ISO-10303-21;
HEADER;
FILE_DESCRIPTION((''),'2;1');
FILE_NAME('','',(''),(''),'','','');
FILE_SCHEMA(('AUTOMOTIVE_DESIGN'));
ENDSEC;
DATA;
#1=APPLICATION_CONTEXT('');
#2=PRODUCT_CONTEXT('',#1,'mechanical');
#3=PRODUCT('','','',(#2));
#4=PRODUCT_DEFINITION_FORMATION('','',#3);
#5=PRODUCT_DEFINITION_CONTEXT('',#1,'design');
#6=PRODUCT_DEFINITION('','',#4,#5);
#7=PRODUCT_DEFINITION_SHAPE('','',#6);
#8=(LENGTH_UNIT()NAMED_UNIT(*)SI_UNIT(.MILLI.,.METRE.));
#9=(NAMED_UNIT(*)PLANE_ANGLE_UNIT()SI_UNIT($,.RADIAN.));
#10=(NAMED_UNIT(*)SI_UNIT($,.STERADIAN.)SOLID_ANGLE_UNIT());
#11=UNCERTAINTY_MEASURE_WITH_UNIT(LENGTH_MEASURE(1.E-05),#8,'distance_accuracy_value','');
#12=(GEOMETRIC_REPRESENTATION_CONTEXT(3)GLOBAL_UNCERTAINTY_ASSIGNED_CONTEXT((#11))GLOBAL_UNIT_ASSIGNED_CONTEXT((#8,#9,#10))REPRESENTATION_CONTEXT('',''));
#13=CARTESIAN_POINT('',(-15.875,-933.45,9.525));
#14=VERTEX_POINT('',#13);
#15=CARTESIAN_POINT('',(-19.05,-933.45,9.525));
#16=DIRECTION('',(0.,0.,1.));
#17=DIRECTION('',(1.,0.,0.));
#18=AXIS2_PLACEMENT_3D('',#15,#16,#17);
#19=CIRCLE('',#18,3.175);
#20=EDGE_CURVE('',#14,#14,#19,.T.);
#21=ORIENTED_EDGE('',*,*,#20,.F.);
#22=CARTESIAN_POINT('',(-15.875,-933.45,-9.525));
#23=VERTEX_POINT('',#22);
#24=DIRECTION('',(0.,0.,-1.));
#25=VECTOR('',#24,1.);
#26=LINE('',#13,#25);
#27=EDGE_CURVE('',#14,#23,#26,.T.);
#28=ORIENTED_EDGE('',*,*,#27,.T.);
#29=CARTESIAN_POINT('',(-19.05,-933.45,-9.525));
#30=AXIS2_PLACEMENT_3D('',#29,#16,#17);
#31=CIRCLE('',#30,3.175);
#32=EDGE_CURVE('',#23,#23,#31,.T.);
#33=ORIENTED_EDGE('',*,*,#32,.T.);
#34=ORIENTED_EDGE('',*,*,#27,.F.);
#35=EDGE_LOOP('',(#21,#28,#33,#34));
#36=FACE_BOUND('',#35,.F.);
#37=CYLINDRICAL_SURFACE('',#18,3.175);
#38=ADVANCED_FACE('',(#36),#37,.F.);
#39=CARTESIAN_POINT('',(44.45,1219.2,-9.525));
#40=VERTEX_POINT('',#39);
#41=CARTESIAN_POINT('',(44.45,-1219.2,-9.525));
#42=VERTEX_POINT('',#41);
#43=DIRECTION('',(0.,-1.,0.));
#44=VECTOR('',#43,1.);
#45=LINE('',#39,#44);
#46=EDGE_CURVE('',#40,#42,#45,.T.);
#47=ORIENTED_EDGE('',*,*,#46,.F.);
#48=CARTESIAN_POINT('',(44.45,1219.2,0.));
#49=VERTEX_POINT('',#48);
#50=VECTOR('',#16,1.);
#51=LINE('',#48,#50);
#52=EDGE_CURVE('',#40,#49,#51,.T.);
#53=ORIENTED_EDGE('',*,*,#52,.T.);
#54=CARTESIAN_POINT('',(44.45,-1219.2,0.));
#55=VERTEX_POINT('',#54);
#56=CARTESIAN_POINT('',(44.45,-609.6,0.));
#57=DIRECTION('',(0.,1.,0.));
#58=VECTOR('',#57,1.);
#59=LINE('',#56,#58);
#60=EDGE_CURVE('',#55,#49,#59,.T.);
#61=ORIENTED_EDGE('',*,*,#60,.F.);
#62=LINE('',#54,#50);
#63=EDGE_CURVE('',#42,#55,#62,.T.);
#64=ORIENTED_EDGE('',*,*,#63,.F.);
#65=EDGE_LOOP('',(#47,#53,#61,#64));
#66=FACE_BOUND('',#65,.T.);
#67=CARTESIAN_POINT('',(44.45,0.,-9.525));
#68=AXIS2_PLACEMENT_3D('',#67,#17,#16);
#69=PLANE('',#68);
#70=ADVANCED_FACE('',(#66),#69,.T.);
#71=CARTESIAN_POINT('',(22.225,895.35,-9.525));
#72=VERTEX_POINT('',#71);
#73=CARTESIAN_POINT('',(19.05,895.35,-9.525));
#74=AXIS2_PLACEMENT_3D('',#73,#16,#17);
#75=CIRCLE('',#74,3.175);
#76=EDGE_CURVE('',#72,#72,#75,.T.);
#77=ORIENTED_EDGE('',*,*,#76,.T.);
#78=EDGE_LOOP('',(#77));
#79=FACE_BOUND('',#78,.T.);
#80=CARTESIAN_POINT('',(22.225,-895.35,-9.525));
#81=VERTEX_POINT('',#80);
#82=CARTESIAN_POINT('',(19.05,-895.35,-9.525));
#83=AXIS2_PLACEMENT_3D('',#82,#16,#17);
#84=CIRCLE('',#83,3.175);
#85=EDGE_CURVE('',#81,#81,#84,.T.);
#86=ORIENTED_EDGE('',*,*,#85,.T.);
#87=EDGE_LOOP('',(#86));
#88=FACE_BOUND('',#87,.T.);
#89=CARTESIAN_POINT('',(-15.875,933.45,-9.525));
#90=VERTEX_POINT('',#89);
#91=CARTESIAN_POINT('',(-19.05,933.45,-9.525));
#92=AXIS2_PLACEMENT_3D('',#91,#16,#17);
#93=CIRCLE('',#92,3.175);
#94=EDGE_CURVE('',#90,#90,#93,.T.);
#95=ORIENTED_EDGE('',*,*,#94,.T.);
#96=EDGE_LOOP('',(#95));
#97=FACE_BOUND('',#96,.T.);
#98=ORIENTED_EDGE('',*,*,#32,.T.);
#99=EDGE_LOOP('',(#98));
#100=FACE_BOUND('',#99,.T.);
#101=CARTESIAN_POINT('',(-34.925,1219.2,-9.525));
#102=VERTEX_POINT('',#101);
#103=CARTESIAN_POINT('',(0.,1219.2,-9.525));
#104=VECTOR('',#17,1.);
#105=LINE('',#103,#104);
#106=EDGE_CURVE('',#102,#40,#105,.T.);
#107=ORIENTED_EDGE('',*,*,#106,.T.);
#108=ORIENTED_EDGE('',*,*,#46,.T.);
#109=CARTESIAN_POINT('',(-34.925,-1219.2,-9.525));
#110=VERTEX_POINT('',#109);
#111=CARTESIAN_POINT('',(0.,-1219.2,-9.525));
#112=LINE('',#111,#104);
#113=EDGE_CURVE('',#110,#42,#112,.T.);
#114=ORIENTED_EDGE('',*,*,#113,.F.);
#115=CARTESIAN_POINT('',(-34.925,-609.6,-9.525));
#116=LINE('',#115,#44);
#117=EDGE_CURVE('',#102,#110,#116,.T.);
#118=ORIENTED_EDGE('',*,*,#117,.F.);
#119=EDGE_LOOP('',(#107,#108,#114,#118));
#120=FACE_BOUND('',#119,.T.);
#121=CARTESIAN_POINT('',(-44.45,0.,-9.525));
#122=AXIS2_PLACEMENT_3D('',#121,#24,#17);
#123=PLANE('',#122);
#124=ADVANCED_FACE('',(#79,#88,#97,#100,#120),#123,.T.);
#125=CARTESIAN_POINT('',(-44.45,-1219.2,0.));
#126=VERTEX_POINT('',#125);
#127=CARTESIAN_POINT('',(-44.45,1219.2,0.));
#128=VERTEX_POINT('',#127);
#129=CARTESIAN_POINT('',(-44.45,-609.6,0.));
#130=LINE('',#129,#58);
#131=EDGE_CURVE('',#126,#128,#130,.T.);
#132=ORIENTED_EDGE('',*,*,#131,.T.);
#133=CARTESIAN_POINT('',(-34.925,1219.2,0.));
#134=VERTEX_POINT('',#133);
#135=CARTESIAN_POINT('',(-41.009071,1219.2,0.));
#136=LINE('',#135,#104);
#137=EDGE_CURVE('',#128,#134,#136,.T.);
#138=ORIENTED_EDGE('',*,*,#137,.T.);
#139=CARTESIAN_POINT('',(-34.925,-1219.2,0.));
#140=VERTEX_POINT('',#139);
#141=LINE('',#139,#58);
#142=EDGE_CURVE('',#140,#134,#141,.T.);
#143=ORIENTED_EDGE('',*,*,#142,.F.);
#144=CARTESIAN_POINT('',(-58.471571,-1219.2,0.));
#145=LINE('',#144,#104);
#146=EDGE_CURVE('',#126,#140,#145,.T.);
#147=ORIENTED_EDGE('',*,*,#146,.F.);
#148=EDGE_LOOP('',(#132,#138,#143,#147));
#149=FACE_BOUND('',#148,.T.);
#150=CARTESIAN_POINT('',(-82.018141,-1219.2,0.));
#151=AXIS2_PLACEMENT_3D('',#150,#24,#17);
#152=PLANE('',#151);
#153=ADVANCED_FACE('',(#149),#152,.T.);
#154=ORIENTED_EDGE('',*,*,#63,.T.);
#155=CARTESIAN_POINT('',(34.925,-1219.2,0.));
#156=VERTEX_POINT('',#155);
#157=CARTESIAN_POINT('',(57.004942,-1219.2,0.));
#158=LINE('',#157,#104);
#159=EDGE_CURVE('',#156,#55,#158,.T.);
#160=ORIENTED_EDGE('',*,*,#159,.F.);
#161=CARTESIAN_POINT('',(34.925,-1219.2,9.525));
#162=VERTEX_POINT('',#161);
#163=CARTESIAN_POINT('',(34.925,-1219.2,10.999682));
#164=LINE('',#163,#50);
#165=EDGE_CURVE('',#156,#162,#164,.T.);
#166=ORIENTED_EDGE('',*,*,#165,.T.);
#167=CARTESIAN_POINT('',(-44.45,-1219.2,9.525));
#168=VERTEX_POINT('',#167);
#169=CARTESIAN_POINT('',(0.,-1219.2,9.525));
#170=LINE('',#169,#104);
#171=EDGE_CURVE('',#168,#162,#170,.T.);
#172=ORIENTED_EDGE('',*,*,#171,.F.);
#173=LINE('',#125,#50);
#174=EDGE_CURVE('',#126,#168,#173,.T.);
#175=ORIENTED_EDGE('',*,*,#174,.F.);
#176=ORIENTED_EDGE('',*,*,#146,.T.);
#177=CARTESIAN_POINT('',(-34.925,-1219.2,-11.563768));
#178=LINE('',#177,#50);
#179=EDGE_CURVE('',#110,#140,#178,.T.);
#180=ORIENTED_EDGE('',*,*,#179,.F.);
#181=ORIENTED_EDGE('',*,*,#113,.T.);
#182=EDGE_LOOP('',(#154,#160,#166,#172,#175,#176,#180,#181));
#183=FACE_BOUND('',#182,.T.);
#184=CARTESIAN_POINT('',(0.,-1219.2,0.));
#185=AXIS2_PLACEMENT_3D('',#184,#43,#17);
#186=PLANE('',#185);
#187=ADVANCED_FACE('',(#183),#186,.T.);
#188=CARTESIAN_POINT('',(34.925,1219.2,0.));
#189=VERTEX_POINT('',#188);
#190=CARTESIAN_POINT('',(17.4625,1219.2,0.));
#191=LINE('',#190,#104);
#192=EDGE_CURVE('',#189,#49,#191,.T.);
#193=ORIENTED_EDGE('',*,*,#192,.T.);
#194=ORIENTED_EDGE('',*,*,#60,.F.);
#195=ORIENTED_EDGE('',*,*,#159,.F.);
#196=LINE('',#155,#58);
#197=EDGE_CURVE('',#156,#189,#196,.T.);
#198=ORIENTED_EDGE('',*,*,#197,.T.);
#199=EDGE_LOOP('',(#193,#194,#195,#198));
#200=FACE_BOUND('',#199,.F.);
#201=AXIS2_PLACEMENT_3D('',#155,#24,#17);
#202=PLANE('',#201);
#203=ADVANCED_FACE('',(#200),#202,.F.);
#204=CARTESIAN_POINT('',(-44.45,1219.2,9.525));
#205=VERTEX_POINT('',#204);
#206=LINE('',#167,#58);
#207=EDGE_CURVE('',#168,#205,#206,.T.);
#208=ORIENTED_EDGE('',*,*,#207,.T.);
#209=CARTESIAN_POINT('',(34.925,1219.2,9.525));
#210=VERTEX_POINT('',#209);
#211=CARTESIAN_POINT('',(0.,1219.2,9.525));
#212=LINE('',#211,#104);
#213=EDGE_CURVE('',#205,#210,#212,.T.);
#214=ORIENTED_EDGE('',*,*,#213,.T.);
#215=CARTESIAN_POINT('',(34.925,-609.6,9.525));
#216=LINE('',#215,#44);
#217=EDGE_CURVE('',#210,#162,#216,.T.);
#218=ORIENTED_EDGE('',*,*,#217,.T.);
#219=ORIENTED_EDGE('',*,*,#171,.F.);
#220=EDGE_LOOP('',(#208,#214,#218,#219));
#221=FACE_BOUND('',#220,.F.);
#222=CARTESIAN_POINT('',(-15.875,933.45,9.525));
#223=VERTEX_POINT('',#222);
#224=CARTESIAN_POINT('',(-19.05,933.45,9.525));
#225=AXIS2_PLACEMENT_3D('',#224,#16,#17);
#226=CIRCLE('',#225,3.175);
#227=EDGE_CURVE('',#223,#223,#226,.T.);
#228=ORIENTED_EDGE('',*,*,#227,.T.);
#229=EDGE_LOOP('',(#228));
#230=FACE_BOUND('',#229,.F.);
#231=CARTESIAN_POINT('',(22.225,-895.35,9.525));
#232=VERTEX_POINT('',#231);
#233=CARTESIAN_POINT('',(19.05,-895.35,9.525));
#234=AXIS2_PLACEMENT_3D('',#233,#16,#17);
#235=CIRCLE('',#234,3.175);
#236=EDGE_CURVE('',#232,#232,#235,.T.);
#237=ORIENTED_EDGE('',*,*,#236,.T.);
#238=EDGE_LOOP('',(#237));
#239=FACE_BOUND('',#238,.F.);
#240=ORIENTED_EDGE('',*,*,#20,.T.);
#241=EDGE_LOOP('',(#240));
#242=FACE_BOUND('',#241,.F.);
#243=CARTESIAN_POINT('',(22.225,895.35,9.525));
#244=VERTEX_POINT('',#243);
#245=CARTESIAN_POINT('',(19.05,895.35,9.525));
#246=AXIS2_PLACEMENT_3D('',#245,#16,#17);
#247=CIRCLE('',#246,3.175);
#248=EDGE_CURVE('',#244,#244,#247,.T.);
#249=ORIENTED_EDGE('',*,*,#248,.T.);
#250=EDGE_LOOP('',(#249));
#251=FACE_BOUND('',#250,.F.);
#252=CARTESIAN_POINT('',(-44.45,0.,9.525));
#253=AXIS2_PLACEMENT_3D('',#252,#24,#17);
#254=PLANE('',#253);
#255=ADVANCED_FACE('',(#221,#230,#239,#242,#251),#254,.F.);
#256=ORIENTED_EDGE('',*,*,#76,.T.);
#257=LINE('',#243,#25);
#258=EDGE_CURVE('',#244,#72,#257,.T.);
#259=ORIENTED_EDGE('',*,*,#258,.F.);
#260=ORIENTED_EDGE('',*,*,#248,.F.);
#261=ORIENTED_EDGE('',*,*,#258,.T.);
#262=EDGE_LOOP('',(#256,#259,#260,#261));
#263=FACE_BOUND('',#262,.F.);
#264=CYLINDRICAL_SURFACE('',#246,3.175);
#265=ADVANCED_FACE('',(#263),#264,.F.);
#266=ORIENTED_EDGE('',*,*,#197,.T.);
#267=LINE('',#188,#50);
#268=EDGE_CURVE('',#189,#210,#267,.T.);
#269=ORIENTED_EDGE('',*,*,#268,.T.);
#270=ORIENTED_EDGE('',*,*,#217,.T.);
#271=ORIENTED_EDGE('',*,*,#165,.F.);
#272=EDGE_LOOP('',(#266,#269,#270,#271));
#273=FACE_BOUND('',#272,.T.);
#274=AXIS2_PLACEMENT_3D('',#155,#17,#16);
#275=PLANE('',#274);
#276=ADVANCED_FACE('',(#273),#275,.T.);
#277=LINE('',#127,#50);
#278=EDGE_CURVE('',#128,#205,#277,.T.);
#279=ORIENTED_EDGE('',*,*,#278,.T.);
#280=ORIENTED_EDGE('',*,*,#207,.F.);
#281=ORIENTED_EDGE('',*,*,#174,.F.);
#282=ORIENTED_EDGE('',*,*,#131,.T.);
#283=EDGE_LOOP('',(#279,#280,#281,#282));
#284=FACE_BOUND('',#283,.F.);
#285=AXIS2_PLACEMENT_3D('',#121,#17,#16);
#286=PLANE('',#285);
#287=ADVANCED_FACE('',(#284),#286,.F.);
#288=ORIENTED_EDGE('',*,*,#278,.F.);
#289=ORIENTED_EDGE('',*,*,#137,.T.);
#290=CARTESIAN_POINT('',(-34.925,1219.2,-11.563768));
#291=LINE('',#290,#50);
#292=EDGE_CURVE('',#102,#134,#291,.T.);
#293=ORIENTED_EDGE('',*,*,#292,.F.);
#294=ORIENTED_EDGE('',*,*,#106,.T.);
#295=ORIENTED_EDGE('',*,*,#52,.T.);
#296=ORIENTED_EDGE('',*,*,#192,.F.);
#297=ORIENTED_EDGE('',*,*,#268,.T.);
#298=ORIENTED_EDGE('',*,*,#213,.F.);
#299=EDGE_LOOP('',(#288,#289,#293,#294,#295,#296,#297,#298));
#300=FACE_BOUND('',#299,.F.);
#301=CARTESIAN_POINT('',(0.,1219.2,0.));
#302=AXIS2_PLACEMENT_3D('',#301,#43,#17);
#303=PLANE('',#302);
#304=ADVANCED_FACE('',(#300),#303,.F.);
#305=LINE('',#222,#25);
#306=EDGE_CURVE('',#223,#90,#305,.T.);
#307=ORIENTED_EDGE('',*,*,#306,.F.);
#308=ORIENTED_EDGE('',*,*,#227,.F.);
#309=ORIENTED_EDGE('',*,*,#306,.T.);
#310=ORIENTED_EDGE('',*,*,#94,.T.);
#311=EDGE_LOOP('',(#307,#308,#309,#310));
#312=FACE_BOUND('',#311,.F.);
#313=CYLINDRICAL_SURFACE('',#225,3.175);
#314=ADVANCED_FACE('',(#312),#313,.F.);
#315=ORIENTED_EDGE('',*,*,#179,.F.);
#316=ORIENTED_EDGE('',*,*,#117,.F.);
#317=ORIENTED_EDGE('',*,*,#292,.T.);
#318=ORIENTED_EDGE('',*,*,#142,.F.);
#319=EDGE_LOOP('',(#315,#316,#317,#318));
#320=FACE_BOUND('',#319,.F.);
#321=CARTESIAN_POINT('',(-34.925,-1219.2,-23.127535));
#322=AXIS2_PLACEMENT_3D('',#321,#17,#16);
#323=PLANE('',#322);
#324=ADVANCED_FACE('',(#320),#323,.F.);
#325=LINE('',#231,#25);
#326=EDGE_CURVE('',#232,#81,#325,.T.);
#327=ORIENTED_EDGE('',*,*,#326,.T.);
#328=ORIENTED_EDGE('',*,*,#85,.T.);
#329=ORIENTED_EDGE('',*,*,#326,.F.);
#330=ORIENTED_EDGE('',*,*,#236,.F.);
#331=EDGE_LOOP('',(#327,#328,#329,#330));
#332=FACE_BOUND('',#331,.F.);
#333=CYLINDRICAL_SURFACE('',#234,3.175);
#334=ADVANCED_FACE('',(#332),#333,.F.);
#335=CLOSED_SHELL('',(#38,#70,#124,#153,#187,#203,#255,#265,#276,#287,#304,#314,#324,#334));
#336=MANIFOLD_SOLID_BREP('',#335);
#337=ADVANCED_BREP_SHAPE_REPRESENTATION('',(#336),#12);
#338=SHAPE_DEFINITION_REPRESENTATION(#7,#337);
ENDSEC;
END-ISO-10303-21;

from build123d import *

# Parameters (mm, degrees)
F0_W     = 88.9
F0_H     = 19.05
F1_DEPTH = 1219.2
F2_W     = 47.0931410961
F2_H     = 23.1275351422
F2_W_2   = 44.1598849037
F2_H_2   = 21.9993637201
F3_DEPTH = 2438.401
F4_R     = 3.175
F5_DEPTH = 19.051


with BuildPart() as f1:
    # F0 (on Front) → F1 (new body, symmetric)
    with BuildSketch(Plane.XZ):
        Rectangle(F0_W, F0_H)
    extrude(amount=F1_DEPTH, both=True)

    # F2 (on face) → F3 (cut, through all)
    with BuildSketch(Plane.XZ.offset(1219.2)):
        with Locations((-58.471570548, -11.5637675711)):
            Rectangle(F2_W, F2_H)
        with Locations((57.0049424518, 10.9996818601)):
            Rectangle(F2_W_2, F2_H_2)
    extrude(amount=-F3_DEPTH, mode=Mode.SUBTRACT)

    # F4 (on face) → F5 (cut, through all)
    with BuildSketch(Plane.XY.offset(9.525)):
        with Locations((-19.05, -933.45)):
            Circle(F4_R)
        with Locations((19.05, -895.35)):
            Circle(F4_R)
        with Locations((-19.05, 933.45)):
            Circle(F4_R)
        with Locations((19.05, 895.35)):
            Circle(F4_R)
    extrude(amount=-F5_DEPTH, mode=Mode.SUBTRACT)


solid = f1.part
